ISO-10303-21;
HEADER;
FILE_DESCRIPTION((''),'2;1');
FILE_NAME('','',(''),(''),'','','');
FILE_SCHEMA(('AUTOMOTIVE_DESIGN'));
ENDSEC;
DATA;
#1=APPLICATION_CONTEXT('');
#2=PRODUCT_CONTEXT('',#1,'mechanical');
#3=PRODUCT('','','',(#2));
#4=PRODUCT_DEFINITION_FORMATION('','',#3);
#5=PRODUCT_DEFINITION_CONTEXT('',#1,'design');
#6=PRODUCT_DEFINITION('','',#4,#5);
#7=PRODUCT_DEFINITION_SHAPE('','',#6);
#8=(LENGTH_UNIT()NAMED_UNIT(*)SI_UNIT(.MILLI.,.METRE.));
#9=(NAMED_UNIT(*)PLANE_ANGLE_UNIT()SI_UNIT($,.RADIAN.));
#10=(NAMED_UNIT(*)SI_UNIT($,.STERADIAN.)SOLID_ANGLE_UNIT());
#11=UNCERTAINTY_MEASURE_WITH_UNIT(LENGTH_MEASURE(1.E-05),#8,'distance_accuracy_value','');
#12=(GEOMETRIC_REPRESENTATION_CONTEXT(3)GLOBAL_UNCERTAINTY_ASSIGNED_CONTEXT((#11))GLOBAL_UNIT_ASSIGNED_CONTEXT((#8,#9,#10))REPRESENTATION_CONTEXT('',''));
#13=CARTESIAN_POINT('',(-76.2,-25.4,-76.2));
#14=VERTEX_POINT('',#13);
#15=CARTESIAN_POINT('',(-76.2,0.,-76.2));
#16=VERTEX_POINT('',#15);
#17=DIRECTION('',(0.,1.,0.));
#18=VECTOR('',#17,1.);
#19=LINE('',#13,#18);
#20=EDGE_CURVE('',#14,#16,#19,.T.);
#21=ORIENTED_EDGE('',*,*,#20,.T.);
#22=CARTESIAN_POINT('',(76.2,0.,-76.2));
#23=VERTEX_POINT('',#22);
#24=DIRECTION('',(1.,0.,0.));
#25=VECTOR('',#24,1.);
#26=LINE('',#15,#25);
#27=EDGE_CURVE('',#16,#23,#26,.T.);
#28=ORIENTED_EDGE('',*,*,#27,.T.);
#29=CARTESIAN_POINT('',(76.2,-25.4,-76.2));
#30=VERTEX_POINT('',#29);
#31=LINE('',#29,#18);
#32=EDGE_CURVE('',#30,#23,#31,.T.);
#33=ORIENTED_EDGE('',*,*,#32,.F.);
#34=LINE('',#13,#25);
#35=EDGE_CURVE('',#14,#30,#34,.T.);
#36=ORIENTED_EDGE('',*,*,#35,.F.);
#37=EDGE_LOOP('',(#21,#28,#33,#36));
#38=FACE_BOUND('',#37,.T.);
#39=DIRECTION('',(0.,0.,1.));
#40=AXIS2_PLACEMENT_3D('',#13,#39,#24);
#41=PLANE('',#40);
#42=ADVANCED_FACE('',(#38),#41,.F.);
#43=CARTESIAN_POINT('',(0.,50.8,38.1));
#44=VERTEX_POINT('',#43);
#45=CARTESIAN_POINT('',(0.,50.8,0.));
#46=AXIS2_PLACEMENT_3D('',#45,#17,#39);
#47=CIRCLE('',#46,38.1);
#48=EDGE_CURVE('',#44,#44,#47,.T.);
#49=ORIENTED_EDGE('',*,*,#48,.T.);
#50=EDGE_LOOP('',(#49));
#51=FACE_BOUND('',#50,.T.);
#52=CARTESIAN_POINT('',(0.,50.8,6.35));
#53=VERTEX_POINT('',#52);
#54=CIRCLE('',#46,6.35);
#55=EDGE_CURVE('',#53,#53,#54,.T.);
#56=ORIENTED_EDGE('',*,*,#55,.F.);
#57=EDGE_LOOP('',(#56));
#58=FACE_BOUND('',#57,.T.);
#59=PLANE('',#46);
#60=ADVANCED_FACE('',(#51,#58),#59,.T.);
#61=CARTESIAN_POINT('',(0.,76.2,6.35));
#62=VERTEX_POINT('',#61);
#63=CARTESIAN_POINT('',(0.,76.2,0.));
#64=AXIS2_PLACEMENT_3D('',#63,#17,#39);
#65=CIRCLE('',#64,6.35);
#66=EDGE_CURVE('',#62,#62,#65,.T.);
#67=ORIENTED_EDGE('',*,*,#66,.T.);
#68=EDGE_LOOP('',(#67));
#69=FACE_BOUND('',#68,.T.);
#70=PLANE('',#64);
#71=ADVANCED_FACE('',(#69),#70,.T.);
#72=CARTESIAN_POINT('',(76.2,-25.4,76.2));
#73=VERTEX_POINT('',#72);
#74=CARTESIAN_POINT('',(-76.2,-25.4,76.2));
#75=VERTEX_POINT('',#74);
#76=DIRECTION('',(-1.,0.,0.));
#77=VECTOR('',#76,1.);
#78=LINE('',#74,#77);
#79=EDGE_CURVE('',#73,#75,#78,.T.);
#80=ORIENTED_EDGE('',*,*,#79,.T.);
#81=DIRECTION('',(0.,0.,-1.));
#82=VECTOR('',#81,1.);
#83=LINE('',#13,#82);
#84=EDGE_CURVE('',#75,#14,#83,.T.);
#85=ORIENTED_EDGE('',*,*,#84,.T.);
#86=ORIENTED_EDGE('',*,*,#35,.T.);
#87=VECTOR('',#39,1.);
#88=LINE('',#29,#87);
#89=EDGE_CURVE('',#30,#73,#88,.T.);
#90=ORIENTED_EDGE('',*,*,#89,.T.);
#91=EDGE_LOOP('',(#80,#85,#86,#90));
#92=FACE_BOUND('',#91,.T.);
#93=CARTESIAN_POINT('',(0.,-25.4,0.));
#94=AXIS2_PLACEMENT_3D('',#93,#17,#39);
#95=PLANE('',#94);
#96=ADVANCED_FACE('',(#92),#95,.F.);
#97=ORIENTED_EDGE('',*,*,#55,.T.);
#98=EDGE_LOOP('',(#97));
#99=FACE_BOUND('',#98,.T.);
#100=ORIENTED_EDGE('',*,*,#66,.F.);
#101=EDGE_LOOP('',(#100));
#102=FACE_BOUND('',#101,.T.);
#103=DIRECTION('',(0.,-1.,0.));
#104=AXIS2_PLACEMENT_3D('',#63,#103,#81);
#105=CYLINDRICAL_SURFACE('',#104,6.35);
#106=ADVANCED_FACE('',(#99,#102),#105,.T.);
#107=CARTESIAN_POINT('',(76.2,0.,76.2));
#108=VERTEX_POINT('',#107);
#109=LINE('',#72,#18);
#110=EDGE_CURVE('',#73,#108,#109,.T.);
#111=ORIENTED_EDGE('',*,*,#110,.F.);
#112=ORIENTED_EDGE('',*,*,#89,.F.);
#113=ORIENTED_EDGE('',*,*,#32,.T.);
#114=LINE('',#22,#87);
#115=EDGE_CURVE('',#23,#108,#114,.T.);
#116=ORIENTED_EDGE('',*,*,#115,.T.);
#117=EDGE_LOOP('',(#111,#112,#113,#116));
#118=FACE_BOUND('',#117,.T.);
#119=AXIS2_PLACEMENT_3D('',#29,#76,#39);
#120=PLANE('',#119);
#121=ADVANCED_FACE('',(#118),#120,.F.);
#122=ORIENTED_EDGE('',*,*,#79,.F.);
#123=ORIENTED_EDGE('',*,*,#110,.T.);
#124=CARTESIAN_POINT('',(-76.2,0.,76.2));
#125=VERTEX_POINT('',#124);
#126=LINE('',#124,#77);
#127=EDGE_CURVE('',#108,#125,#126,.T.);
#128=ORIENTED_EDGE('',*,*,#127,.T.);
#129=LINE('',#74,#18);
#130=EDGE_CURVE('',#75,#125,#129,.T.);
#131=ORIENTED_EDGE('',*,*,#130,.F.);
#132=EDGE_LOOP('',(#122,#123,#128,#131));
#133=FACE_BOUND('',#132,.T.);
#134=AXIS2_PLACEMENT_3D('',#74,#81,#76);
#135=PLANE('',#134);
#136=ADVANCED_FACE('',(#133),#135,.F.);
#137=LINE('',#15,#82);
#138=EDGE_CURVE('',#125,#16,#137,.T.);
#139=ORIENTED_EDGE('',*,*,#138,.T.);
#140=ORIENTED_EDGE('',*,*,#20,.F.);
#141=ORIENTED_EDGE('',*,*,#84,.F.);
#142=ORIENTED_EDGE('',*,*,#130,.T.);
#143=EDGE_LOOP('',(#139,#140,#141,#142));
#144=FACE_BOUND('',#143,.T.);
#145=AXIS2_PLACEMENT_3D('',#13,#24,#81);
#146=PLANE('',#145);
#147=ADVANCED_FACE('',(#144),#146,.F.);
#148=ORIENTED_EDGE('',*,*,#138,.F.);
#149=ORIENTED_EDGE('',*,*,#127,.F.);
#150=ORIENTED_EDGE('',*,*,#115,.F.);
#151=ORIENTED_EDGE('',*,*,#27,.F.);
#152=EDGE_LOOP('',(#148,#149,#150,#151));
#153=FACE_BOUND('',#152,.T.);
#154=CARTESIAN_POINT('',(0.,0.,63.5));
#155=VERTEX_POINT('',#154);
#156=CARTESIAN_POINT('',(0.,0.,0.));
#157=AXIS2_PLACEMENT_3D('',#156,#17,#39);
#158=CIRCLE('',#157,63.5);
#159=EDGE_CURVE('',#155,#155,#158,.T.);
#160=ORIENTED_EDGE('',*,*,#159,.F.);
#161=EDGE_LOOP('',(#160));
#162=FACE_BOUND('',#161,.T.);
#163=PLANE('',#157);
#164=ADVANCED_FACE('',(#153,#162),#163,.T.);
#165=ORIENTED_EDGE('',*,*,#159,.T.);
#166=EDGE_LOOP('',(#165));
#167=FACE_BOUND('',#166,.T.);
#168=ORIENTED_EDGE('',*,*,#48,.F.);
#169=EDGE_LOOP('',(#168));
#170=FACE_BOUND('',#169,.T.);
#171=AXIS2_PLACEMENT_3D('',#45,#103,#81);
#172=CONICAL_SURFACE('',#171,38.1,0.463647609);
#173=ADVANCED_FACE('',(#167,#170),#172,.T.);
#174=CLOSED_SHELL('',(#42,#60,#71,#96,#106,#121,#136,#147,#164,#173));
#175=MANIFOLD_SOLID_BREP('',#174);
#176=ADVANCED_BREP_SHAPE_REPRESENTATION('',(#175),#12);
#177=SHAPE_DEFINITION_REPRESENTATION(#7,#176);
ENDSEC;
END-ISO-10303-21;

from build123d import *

# Parameters (mm, degrees)
SKETCH3_R           = 63.5
SKETCH5_R           = 38.1
SKETCH6_W           = 152.4
SKETCH6_H           = 152.4
BOSS_EXTRUDE1_DEPTH = 25.4
SKETCH7_R           = 6.35
BOSS_EXTRUDE2_DEPTH = 25.4


with BuildPart() as part:
    # Sketch3 → Loft1 section 0
    with BuildSketch(Plane(origin=(0, 0, 0), x_dir=(1, 0, 0), z_dir=(0, 1, 0))):
        Circle(SKETCH3_R)
    # Sketch5 → Loft1 section 1
    with BuildSketch(Plane(origin=(0, 50.8, 0), x_dir=(1, 0, 0), z_dir=(0, 1, 0))):
        Circle(SKETCH5_R)
    loft()

    # Sketch6 → Boss-Extrude1 (add)
    with BuildSketch(Plane.XZ):
        Rectangle(SKETCH6_W, SKETCH6_H)
    extrude(amount=BOSS_EXTRUDE1_DEPTH)

    # Sketch7 → Boss-Extrude2 (add)
    with BuildSketch(Plane(origin=(0, 50.8, 0), x_dir=(1, 0, 0), z_dir=(0, 1, 0))):
        with Locations(Location((0, 0, 0), (0, 0, 270))):
            Circle(SKETCH7_R)
    extrude(amount=BOSS_EXTRUDE2_DEPTH)


solid = part.part
